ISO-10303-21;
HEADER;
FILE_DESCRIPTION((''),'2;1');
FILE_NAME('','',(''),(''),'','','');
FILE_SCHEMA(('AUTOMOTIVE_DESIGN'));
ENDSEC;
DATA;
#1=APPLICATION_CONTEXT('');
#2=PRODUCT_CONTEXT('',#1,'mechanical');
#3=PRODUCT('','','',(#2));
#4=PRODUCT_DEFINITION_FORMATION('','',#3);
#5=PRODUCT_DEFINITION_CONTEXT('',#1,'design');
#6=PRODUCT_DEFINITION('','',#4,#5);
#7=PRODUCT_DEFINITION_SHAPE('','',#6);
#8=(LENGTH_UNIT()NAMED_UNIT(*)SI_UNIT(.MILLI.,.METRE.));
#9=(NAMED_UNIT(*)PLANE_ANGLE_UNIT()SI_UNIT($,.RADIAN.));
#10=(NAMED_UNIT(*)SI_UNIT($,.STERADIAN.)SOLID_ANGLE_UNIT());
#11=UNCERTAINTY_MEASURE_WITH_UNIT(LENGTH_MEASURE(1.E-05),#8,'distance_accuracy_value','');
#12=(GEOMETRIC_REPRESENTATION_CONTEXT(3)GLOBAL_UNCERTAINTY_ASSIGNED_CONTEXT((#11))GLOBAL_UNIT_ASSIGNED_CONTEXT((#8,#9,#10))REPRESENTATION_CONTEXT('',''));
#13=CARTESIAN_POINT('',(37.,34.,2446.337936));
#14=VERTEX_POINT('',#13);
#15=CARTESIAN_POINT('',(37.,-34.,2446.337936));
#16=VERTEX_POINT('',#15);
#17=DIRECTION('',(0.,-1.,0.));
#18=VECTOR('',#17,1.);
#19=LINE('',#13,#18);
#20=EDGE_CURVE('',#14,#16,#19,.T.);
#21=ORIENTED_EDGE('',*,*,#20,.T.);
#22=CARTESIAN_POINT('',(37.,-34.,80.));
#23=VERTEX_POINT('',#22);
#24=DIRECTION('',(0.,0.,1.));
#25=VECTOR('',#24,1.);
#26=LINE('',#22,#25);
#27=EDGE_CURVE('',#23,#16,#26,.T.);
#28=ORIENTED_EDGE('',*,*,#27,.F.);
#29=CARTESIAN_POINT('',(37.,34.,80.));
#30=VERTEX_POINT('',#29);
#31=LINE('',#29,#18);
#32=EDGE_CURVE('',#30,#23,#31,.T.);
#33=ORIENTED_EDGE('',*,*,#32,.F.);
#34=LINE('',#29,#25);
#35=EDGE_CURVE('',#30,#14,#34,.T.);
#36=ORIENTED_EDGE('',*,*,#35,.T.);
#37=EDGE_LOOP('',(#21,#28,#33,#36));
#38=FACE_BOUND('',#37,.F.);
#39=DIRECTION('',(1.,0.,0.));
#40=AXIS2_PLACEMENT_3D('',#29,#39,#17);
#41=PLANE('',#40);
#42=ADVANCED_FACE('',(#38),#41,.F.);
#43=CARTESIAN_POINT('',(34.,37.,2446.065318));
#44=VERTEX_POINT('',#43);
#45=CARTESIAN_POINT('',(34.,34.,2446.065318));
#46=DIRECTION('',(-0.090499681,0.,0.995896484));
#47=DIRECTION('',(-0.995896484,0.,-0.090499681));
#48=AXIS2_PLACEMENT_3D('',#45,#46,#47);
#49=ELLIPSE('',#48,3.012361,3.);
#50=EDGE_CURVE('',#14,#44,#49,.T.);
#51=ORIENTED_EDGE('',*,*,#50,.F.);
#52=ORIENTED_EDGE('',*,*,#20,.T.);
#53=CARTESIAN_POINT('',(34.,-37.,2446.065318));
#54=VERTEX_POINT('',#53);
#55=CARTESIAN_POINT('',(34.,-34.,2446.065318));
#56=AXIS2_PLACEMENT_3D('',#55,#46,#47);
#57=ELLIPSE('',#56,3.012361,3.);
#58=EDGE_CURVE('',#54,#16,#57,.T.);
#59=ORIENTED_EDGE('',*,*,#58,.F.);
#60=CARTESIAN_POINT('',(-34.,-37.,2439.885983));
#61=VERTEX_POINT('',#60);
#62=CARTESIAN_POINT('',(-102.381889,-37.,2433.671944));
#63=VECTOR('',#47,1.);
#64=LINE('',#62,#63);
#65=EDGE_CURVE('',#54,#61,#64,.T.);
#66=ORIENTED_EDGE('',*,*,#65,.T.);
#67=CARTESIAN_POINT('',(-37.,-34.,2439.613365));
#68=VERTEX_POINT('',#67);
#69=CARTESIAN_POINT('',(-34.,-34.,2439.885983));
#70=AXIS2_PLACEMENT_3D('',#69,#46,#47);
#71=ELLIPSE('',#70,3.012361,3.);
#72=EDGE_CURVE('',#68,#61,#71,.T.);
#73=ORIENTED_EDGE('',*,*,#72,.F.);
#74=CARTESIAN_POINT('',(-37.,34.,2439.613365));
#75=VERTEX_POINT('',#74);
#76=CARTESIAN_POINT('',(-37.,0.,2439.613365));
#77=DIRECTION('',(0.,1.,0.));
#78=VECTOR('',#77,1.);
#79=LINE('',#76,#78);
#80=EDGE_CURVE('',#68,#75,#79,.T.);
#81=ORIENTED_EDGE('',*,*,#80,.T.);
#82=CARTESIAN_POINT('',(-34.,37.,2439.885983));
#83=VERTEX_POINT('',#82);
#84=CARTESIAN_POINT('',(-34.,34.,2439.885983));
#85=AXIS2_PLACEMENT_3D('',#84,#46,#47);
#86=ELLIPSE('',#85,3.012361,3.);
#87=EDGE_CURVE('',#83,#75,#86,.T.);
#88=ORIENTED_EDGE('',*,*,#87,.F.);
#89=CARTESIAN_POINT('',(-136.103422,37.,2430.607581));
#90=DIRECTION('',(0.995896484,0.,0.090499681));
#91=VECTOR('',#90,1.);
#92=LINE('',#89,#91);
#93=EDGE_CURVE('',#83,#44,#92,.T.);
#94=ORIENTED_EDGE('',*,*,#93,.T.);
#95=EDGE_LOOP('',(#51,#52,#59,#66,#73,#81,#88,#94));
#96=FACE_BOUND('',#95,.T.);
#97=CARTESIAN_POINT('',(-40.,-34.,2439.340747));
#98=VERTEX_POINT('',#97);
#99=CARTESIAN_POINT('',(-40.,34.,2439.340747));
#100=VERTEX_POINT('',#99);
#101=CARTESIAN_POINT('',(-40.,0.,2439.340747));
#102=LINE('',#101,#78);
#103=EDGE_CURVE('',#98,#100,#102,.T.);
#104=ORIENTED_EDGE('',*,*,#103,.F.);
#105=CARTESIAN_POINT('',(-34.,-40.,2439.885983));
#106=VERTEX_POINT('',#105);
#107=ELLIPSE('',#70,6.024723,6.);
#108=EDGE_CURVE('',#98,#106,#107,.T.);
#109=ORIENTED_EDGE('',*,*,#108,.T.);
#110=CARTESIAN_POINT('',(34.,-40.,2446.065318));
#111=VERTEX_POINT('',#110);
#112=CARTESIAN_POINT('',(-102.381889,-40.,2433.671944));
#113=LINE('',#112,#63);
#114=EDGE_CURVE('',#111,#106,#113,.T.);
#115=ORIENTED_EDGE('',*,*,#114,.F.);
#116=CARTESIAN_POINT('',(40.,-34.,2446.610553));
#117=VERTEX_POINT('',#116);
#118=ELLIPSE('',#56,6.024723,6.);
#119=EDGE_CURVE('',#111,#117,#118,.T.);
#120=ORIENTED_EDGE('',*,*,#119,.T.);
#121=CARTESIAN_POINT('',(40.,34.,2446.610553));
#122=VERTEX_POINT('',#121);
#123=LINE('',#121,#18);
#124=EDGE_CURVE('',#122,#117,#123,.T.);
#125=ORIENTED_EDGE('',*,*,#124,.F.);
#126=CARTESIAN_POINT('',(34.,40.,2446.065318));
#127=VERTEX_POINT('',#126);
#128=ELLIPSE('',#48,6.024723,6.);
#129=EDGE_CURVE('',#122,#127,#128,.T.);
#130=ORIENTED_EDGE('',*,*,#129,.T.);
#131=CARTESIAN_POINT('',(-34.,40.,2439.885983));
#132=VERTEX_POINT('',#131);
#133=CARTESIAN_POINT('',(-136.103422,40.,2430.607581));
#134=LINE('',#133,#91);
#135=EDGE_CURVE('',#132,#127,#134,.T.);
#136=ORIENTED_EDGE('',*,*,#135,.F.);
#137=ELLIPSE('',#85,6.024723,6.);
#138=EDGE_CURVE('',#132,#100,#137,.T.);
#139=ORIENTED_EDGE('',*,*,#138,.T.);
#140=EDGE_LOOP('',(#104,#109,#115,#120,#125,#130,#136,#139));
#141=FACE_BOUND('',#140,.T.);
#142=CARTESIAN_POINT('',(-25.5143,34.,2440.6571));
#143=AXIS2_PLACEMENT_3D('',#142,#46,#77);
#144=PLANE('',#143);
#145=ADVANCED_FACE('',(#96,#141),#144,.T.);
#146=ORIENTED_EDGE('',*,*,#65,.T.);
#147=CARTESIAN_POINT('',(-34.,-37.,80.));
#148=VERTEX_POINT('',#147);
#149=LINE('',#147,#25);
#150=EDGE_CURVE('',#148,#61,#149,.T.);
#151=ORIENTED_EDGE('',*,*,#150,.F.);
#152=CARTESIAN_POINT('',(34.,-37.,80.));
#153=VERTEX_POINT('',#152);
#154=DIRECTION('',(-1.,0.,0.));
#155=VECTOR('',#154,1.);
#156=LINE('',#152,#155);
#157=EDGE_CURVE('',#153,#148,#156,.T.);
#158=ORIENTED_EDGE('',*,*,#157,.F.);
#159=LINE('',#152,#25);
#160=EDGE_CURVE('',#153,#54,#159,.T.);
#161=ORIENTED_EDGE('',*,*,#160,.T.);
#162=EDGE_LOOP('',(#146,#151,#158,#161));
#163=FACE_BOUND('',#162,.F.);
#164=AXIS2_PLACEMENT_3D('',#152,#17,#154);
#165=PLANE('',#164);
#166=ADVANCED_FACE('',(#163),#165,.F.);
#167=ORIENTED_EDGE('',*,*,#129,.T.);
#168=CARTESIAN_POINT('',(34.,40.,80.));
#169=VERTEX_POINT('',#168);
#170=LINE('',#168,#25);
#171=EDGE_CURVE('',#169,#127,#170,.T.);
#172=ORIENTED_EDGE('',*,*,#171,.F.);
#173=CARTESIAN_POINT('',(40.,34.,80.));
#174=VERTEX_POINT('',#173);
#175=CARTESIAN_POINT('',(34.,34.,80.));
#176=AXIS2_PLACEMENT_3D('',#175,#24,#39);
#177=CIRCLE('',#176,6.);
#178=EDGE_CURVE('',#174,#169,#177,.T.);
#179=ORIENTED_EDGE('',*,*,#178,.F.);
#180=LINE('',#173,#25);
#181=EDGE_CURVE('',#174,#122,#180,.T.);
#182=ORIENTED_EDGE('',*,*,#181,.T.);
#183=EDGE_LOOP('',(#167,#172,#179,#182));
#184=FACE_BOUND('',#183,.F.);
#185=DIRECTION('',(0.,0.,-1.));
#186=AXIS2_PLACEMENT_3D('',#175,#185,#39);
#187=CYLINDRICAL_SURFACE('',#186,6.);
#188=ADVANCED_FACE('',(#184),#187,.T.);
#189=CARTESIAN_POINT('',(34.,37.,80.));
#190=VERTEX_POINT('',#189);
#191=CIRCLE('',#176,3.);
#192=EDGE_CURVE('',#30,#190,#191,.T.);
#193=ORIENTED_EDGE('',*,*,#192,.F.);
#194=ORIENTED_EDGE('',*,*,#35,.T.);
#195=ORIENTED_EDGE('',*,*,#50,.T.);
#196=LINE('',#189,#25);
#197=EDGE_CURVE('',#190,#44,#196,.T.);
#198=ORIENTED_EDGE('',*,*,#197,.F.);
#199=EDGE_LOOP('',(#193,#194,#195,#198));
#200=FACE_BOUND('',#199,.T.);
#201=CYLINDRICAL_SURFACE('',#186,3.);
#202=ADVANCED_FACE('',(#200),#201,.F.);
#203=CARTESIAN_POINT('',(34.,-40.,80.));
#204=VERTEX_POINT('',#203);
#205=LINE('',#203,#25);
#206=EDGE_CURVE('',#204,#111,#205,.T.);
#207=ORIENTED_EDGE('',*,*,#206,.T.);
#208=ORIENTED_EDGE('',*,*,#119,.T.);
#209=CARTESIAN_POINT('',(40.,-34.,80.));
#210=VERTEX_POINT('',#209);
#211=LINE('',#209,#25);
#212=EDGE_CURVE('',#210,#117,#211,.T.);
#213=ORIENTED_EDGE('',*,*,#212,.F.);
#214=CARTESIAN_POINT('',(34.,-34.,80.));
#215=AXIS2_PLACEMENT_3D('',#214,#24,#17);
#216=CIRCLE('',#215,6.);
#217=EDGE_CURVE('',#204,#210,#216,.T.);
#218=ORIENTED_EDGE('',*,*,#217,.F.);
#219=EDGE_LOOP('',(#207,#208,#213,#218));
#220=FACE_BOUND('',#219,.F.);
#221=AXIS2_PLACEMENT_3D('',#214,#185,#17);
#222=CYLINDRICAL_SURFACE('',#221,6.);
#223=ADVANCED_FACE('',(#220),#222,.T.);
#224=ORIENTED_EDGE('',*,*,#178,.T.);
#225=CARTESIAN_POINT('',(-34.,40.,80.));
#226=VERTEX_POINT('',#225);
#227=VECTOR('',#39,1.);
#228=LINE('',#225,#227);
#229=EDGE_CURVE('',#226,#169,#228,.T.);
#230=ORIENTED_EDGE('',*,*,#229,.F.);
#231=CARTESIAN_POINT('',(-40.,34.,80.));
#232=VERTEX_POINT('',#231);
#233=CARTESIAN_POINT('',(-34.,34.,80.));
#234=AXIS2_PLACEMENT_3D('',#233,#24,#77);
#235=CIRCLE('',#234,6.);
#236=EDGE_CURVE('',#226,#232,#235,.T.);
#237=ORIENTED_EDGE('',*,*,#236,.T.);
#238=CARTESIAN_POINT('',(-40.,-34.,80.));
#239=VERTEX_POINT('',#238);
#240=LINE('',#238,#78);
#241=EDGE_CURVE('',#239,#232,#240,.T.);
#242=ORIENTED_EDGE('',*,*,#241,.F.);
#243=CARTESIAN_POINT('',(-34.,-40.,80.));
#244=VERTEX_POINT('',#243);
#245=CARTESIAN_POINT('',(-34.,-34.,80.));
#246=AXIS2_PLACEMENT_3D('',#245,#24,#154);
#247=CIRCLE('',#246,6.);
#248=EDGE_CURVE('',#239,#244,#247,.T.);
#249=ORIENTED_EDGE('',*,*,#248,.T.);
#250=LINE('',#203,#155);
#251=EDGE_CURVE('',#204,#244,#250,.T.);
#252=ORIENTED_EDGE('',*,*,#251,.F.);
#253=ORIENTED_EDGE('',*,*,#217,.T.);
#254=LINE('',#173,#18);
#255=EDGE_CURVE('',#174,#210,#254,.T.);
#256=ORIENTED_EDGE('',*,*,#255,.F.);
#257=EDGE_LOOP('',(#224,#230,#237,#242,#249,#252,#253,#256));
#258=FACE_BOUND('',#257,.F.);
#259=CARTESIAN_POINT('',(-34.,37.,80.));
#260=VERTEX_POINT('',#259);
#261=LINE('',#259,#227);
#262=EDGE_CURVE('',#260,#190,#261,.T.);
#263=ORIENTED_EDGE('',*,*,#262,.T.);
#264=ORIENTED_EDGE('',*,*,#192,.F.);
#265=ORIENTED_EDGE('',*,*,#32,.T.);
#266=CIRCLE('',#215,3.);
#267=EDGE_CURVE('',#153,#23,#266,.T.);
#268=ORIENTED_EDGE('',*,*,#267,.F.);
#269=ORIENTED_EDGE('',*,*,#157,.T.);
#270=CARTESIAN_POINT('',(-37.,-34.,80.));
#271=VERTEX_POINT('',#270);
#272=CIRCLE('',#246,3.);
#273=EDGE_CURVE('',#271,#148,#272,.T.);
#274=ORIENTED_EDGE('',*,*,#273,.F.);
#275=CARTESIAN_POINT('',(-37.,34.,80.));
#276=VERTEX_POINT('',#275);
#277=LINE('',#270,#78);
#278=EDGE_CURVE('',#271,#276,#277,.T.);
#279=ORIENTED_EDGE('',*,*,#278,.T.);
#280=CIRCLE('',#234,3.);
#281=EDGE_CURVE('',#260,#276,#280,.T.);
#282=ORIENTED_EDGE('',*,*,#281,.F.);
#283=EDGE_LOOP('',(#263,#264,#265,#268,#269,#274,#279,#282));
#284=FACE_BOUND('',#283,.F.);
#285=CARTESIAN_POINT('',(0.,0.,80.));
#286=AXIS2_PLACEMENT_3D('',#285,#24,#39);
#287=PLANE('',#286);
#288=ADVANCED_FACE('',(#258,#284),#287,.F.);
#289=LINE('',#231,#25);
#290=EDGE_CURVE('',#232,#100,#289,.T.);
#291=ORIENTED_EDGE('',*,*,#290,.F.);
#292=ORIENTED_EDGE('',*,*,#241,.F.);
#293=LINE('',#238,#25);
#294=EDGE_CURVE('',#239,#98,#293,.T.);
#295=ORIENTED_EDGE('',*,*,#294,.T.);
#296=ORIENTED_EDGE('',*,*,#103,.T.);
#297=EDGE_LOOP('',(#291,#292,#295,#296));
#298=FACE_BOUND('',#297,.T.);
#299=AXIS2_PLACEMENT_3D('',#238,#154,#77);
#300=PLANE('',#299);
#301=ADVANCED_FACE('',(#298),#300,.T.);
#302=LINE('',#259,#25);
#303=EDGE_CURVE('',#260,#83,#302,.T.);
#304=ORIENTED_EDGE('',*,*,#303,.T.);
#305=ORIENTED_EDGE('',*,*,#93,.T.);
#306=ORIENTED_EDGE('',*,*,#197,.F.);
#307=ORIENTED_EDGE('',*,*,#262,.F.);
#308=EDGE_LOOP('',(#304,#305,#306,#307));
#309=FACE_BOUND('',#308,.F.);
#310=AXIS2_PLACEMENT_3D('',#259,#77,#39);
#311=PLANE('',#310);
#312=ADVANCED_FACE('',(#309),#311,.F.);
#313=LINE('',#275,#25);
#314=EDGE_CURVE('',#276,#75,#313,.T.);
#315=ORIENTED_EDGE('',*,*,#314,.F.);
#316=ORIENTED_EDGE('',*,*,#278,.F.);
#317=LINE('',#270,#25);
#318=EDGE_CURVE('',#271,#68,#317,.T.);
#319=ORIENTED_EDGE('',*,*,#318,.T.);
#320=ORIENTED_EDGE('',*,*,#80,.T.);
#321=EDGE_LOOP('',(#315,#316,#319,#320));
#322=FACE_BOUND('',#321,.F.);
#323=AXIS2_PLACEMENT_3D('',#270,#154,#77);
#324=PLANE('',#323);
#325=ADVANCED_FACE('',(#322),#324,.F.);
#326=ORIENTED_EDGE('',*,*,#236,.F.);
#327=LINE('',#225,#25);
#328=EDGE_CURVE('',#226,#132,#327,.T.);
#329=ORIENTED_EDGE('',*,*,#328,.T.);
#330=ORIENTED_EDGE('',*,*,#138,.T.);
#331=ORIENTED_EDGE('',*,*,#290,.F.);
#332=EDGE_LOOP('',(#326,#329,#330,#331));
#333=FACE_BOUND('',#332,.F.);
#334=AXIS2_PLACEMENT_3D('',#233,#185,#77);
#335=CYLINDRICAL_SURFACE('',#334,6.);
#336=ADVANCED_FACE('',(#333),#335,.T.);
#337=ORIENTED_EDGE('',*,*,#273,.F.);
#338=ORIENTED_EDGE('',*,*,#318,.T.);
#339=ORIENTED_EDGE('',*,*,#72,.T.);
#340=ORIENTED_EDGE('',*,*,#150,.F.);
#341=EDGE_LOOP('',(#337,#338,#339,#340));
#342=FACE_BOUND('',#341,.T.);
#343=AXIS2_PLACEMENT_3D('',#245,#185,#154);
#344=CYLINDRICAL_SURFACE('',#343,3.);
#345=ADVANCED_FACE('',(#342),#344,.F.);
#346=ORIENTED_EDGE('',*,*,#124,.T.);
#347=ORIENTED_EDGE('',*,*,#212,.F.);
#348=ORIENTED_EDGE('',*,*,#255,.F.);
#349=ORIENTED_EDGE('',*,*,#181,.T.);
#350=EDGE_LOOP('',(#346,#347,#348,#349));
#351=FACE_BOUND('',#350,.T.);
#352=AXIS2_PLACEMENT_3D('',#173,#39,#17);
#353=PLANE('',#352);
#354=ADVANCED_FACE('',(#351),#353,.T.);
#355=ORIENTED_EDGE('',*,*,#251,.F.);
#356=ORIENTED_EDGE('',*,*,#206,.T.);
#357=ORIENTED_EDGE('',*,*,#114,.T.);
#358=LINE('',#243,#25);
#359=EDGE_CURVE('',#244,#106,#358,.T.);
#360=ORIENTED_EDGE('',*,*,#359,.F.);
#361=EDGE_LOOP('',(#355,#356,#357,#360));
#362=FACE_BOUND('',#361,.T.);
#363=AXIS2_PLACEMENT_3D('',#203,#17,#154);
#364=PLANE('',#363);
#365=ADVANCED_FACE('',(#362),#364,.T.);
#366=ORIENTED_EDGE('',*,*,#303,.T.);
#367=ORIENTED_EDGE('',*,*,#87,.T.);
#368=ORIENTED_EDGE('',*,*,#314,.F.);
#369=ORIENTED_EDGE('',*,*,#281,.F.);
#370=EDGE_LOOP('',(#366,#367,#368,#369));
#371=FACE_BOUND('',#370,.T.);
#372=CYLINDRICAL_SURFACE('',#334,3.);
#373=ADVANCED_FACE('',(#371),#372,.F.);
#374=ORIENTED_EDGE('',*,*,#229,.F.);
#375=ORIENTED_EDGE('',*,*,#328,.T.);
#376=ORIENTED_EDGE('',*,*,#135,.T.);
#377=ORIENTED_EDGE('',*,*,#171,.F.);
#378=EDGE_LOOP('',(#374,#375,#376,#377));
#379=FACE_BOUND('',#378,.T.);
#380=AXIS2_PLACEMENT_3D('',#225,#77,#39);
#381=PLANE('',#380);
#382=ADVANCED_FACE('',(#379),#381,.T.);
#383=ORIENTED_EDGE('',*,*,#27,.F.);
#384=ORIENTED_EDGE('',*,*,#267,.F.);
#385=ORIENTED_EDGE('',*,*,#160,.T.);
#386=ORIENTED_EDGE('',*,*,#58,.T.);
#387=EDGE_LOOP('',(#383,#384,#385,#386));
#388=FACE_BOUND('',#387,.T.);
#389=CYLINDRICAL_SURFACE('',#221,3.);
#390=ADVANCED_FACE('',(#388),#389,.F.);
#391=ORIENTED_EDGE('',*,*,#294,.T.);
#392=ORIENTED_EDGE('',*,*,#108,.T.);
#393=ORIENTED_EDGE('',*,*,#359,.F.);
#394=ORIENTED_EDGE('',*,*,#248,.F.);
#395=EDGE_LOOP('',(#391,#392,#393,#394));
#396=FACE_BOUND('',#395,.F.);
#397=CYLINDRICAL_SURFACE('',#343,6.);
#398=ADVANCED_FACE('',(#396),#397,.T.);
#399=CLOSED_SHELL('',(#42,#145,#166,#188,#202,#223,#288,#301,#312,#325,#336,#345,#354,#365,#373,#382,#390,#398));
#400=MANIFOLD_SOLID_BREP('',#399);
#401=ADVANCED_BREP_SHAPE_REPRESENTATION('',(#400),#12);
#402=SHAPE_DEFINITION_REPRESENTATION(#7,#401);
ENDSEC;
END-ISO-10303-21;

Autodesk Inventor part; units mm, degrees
ref_plane "Start Plane" through (0, 0, 80) normal (0, 0, 1) x (1, 0, 0)
ref_plane "End Plane" through (0, 0, 2446.6129) normal (0, 0, 1) x (1, 0, 0)
sketch "Sketch" plane through (0, 0, 0) normal (0, 0, 1) x (1, 0, 0)
  line L0 (-40, -34) -> (-40, 34)
  line L1 (-34, 40) -> (34, 40)
  line L2 (40, 34) -> (40, -34)
  line L3 (34, -40) -> (-34, -40)
  arc A0 (-40, -34) -> (-34, -40) centre (-34, -34) ccw
  arc A1 (40, 34) -> (34, 40) centre (34, 34) ccw
  arc A2 (-34, 40) -> (-40, 34) centre (-34, 34) ccw
  arc A3 (34, -40) -> (40, -34) centre (34, -34) ccw
  arc A4 (-34, 37) -> (-37, 34) centre (-34, 34) ccw
  line L4 (-34, 37) -> (34, 37)
  arc A5 (37, 34) -> (34, 37) centre (34, 34) ccw
  line L5 (37, 34) -> (37, -34)
  arc A6 (34, -37) -> (37, -34) centre (34, -34) ccw
  line L6 (34, -37) -> (-34, -37)
  arc A7 (-37, -34) -> (-34, -37) centre (-34, -34) ccw
  line L7 (-37, -34) -> (-37, 34)
  line L8 (0, 57.7397) -> (0, -57.7397) construction
  line L9 (-57.7397, 0) -> (57.7397, 0) construction
  dimension "d7" = 6
  dimension "d9" = 80
  dimension "d11" = 80
  dimension "d12" = 3
  dimension "d15" = 40
  dimension "d16" = 40
extrude "Body" add sketch "Sketch" along normal up to surface (2366.6129 mm away) from surface at 80
sketch "Sketch3" plane through (0, 0, 0) normal (0, 0, 1) x (1, 0, 0)
  line L0 (0, 0) -> (10, 0)
ref_plane "Work Plane3" through (0, 0, 0) normal (0, -1, 0) x (1, 0, 0)
ref_plane "Work Plane4" through (-25.5143, 34, 2440.6571) normal (-0.0905, 0, 0.9959) x (0.9959, 0, 0.0905)
split "Split1" plane through (-25.5143, 34, 2440.6571) removes the side toward (-0.0905, 0, 0.9959)
sketch "Sketch4" plane through (0, 0, 0) normal (0, -1, 0) x (1, 0, 0)
  line L0 (-2, 80) -> (12, 80) projected
  line L1 (-2, 2446.6129) -> (12, 2446.6129) projected
  dimension "d18" = 2366.6129
equation "\"d7\" = G_IR"
equation "\"d9\" = G_W"
equation "\"d11\" = G_H"
equation "\"d12\" = G_T"
equation "\"d15\" = 0.5 * d9"
equation "\"d16\" = 0.5 * d11"
equation "\"d3\" = G_L"
equation "\"G_W\" = 80"
equation "\"G_H\" = 80"
equation "\"G_T\" = 3"
equation "\"G_IR\" = 6"
equation "\"G_L\" = d18"
equation "\"G_OFFSET_END\" = -153.38707"
equation "\"d14\" = G_OFFSET_END + B_L"
equation "\"B_L\" = 2600"
properties part number "ISO 10799-2 - 80x80x3 - 2366,61" material "Steel, Mild"
